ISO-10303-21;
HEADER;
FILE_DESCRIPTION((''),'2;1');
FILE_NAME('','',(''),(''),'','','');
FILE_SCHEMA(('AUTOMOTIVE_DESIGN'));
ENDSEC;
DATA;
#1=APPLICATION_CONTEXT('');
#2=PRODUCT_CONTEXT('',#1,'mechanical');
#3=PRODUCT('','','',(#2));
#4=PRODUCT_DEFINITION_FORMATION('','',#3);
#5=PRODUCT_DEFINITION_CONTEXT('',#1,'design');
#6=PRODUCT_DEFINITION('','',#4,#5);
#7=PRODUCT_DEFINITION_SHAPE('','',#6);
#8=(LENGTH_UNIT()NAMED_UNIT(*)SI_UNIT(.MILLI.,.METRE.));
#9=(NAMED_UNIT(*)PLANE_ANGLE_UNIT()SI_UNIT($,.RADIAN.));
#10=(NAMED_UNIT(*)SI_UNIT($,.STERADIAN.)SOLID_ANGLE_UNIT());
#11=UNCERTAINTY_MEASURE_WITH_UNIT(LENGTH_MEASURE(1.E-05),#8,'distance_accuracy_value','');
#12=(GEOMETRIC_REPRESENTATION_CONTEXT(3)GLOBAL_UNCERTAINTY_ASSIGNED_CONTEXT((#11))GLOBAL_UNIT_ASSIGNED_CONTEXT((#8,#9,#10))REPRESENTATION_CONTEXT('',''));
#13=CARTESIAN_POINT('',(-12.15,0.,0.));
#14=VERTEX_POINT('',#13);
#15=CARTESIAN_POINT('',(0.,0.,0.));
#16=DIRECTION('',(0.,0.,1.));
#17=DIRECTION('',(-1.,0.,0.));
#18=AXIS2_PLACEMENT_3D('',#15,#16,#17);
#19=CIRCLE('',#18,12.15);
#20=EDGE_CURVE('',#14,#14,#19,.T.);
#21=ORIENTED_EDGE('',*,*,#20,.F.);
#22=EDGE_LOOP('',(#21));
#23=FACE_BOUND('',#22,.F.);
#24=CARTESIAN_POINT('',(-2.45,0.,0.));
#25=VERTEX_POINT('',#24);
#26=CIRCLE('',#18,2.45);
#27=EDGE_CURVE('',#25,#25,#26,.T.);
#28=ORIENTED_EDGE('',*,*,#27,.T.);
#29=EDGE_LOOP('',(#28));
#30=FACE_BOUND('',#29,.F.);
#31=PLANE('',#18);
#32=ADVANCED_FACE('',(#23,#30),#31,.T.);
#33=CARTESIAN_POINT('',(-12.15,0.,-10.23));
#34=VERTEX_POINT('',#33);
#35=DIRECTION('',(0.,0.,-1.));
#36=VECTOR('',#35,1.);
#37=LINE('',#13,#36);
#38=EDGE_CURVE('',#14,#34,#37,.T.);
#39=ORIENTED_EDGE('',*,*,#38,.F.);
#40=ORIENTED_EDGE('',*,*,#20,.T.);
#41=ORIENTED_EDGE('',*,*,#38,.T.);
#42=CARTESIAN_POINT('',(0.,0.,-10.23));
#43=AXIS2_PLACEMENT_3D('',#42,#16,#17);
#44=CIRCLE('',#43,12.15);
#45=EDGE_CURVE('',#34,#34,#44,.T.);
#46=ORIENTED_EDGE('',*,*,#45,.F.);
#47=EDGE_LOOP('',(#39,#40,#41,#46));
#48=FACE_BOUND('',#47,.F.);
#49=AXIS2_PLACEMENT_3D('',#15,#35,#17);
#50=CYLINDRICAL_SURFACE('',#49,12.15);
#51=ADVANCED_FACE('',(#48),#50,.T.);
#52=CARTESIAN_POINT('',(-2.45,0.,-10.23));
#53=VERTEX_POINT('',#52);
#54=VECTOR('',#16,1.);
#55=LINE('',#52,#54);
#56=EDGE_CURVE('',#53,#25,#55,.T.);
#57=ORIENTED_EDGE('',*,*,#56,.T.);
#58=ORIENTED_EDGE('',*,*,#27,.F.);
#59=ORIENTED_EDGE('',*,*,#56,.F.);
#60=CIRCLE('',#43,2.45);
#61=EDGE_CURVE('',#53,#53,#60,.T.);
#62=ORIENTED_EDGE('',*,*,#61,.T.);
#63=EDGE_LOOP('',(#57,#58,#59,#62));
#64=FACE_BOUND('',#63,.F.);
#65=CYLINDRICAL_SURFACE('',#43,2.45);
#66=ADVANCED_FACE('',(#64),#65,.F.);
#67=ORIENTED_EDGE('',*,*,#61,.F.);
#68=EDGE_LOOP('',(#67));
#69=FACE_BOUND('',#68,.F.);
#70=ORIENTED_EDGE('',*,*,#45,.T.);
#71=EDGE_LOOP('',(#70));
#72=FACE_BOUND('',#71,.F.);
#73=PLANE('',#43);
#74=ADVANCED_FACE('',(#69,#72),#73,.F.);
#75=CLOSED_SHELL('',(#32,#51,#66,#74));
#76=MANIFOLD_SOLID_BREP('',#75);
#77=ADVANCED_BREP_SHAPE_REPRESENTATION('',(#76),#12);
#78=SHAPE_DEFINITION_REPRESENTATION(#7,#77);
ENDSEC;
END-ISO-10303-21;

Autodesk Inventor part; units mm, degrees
ref_plane "YZ Plane" through (0, 0, 0) normal (1, 0, 0) x (0, 1, 0)
ref_plane "XZ Plane" through (0, 0, 0) normal (0, 1, 0) x (-1, 0, 0)
ref_plane "XY Plane" through (0, 0, 0) normal (0, 0, 1) x (1, 0, 0)
sketch "Sketch1" plane through (0, 0, 0) normal (0, 1, 0) x (-1, 0, 0)
  line L0 (12.15, -10.23) -> (2.45, -10.23)
  line L1 (2.45, -10.23) -> (2.45, 0)
  line L2 (2.45, 0) -> (12.15, 0)
  line L3 (12.15, 0) -> (12.15, -10.23)
  line L4 (0, -12.276) -> (0, 2.046) projected
  point P0 (0, 0)
revolve "Revolution1" add sketch "Sketch1" angle 360 about axis through (0, 0, -10) along (0, 0, 1)
properties part number "Rodamiento"
